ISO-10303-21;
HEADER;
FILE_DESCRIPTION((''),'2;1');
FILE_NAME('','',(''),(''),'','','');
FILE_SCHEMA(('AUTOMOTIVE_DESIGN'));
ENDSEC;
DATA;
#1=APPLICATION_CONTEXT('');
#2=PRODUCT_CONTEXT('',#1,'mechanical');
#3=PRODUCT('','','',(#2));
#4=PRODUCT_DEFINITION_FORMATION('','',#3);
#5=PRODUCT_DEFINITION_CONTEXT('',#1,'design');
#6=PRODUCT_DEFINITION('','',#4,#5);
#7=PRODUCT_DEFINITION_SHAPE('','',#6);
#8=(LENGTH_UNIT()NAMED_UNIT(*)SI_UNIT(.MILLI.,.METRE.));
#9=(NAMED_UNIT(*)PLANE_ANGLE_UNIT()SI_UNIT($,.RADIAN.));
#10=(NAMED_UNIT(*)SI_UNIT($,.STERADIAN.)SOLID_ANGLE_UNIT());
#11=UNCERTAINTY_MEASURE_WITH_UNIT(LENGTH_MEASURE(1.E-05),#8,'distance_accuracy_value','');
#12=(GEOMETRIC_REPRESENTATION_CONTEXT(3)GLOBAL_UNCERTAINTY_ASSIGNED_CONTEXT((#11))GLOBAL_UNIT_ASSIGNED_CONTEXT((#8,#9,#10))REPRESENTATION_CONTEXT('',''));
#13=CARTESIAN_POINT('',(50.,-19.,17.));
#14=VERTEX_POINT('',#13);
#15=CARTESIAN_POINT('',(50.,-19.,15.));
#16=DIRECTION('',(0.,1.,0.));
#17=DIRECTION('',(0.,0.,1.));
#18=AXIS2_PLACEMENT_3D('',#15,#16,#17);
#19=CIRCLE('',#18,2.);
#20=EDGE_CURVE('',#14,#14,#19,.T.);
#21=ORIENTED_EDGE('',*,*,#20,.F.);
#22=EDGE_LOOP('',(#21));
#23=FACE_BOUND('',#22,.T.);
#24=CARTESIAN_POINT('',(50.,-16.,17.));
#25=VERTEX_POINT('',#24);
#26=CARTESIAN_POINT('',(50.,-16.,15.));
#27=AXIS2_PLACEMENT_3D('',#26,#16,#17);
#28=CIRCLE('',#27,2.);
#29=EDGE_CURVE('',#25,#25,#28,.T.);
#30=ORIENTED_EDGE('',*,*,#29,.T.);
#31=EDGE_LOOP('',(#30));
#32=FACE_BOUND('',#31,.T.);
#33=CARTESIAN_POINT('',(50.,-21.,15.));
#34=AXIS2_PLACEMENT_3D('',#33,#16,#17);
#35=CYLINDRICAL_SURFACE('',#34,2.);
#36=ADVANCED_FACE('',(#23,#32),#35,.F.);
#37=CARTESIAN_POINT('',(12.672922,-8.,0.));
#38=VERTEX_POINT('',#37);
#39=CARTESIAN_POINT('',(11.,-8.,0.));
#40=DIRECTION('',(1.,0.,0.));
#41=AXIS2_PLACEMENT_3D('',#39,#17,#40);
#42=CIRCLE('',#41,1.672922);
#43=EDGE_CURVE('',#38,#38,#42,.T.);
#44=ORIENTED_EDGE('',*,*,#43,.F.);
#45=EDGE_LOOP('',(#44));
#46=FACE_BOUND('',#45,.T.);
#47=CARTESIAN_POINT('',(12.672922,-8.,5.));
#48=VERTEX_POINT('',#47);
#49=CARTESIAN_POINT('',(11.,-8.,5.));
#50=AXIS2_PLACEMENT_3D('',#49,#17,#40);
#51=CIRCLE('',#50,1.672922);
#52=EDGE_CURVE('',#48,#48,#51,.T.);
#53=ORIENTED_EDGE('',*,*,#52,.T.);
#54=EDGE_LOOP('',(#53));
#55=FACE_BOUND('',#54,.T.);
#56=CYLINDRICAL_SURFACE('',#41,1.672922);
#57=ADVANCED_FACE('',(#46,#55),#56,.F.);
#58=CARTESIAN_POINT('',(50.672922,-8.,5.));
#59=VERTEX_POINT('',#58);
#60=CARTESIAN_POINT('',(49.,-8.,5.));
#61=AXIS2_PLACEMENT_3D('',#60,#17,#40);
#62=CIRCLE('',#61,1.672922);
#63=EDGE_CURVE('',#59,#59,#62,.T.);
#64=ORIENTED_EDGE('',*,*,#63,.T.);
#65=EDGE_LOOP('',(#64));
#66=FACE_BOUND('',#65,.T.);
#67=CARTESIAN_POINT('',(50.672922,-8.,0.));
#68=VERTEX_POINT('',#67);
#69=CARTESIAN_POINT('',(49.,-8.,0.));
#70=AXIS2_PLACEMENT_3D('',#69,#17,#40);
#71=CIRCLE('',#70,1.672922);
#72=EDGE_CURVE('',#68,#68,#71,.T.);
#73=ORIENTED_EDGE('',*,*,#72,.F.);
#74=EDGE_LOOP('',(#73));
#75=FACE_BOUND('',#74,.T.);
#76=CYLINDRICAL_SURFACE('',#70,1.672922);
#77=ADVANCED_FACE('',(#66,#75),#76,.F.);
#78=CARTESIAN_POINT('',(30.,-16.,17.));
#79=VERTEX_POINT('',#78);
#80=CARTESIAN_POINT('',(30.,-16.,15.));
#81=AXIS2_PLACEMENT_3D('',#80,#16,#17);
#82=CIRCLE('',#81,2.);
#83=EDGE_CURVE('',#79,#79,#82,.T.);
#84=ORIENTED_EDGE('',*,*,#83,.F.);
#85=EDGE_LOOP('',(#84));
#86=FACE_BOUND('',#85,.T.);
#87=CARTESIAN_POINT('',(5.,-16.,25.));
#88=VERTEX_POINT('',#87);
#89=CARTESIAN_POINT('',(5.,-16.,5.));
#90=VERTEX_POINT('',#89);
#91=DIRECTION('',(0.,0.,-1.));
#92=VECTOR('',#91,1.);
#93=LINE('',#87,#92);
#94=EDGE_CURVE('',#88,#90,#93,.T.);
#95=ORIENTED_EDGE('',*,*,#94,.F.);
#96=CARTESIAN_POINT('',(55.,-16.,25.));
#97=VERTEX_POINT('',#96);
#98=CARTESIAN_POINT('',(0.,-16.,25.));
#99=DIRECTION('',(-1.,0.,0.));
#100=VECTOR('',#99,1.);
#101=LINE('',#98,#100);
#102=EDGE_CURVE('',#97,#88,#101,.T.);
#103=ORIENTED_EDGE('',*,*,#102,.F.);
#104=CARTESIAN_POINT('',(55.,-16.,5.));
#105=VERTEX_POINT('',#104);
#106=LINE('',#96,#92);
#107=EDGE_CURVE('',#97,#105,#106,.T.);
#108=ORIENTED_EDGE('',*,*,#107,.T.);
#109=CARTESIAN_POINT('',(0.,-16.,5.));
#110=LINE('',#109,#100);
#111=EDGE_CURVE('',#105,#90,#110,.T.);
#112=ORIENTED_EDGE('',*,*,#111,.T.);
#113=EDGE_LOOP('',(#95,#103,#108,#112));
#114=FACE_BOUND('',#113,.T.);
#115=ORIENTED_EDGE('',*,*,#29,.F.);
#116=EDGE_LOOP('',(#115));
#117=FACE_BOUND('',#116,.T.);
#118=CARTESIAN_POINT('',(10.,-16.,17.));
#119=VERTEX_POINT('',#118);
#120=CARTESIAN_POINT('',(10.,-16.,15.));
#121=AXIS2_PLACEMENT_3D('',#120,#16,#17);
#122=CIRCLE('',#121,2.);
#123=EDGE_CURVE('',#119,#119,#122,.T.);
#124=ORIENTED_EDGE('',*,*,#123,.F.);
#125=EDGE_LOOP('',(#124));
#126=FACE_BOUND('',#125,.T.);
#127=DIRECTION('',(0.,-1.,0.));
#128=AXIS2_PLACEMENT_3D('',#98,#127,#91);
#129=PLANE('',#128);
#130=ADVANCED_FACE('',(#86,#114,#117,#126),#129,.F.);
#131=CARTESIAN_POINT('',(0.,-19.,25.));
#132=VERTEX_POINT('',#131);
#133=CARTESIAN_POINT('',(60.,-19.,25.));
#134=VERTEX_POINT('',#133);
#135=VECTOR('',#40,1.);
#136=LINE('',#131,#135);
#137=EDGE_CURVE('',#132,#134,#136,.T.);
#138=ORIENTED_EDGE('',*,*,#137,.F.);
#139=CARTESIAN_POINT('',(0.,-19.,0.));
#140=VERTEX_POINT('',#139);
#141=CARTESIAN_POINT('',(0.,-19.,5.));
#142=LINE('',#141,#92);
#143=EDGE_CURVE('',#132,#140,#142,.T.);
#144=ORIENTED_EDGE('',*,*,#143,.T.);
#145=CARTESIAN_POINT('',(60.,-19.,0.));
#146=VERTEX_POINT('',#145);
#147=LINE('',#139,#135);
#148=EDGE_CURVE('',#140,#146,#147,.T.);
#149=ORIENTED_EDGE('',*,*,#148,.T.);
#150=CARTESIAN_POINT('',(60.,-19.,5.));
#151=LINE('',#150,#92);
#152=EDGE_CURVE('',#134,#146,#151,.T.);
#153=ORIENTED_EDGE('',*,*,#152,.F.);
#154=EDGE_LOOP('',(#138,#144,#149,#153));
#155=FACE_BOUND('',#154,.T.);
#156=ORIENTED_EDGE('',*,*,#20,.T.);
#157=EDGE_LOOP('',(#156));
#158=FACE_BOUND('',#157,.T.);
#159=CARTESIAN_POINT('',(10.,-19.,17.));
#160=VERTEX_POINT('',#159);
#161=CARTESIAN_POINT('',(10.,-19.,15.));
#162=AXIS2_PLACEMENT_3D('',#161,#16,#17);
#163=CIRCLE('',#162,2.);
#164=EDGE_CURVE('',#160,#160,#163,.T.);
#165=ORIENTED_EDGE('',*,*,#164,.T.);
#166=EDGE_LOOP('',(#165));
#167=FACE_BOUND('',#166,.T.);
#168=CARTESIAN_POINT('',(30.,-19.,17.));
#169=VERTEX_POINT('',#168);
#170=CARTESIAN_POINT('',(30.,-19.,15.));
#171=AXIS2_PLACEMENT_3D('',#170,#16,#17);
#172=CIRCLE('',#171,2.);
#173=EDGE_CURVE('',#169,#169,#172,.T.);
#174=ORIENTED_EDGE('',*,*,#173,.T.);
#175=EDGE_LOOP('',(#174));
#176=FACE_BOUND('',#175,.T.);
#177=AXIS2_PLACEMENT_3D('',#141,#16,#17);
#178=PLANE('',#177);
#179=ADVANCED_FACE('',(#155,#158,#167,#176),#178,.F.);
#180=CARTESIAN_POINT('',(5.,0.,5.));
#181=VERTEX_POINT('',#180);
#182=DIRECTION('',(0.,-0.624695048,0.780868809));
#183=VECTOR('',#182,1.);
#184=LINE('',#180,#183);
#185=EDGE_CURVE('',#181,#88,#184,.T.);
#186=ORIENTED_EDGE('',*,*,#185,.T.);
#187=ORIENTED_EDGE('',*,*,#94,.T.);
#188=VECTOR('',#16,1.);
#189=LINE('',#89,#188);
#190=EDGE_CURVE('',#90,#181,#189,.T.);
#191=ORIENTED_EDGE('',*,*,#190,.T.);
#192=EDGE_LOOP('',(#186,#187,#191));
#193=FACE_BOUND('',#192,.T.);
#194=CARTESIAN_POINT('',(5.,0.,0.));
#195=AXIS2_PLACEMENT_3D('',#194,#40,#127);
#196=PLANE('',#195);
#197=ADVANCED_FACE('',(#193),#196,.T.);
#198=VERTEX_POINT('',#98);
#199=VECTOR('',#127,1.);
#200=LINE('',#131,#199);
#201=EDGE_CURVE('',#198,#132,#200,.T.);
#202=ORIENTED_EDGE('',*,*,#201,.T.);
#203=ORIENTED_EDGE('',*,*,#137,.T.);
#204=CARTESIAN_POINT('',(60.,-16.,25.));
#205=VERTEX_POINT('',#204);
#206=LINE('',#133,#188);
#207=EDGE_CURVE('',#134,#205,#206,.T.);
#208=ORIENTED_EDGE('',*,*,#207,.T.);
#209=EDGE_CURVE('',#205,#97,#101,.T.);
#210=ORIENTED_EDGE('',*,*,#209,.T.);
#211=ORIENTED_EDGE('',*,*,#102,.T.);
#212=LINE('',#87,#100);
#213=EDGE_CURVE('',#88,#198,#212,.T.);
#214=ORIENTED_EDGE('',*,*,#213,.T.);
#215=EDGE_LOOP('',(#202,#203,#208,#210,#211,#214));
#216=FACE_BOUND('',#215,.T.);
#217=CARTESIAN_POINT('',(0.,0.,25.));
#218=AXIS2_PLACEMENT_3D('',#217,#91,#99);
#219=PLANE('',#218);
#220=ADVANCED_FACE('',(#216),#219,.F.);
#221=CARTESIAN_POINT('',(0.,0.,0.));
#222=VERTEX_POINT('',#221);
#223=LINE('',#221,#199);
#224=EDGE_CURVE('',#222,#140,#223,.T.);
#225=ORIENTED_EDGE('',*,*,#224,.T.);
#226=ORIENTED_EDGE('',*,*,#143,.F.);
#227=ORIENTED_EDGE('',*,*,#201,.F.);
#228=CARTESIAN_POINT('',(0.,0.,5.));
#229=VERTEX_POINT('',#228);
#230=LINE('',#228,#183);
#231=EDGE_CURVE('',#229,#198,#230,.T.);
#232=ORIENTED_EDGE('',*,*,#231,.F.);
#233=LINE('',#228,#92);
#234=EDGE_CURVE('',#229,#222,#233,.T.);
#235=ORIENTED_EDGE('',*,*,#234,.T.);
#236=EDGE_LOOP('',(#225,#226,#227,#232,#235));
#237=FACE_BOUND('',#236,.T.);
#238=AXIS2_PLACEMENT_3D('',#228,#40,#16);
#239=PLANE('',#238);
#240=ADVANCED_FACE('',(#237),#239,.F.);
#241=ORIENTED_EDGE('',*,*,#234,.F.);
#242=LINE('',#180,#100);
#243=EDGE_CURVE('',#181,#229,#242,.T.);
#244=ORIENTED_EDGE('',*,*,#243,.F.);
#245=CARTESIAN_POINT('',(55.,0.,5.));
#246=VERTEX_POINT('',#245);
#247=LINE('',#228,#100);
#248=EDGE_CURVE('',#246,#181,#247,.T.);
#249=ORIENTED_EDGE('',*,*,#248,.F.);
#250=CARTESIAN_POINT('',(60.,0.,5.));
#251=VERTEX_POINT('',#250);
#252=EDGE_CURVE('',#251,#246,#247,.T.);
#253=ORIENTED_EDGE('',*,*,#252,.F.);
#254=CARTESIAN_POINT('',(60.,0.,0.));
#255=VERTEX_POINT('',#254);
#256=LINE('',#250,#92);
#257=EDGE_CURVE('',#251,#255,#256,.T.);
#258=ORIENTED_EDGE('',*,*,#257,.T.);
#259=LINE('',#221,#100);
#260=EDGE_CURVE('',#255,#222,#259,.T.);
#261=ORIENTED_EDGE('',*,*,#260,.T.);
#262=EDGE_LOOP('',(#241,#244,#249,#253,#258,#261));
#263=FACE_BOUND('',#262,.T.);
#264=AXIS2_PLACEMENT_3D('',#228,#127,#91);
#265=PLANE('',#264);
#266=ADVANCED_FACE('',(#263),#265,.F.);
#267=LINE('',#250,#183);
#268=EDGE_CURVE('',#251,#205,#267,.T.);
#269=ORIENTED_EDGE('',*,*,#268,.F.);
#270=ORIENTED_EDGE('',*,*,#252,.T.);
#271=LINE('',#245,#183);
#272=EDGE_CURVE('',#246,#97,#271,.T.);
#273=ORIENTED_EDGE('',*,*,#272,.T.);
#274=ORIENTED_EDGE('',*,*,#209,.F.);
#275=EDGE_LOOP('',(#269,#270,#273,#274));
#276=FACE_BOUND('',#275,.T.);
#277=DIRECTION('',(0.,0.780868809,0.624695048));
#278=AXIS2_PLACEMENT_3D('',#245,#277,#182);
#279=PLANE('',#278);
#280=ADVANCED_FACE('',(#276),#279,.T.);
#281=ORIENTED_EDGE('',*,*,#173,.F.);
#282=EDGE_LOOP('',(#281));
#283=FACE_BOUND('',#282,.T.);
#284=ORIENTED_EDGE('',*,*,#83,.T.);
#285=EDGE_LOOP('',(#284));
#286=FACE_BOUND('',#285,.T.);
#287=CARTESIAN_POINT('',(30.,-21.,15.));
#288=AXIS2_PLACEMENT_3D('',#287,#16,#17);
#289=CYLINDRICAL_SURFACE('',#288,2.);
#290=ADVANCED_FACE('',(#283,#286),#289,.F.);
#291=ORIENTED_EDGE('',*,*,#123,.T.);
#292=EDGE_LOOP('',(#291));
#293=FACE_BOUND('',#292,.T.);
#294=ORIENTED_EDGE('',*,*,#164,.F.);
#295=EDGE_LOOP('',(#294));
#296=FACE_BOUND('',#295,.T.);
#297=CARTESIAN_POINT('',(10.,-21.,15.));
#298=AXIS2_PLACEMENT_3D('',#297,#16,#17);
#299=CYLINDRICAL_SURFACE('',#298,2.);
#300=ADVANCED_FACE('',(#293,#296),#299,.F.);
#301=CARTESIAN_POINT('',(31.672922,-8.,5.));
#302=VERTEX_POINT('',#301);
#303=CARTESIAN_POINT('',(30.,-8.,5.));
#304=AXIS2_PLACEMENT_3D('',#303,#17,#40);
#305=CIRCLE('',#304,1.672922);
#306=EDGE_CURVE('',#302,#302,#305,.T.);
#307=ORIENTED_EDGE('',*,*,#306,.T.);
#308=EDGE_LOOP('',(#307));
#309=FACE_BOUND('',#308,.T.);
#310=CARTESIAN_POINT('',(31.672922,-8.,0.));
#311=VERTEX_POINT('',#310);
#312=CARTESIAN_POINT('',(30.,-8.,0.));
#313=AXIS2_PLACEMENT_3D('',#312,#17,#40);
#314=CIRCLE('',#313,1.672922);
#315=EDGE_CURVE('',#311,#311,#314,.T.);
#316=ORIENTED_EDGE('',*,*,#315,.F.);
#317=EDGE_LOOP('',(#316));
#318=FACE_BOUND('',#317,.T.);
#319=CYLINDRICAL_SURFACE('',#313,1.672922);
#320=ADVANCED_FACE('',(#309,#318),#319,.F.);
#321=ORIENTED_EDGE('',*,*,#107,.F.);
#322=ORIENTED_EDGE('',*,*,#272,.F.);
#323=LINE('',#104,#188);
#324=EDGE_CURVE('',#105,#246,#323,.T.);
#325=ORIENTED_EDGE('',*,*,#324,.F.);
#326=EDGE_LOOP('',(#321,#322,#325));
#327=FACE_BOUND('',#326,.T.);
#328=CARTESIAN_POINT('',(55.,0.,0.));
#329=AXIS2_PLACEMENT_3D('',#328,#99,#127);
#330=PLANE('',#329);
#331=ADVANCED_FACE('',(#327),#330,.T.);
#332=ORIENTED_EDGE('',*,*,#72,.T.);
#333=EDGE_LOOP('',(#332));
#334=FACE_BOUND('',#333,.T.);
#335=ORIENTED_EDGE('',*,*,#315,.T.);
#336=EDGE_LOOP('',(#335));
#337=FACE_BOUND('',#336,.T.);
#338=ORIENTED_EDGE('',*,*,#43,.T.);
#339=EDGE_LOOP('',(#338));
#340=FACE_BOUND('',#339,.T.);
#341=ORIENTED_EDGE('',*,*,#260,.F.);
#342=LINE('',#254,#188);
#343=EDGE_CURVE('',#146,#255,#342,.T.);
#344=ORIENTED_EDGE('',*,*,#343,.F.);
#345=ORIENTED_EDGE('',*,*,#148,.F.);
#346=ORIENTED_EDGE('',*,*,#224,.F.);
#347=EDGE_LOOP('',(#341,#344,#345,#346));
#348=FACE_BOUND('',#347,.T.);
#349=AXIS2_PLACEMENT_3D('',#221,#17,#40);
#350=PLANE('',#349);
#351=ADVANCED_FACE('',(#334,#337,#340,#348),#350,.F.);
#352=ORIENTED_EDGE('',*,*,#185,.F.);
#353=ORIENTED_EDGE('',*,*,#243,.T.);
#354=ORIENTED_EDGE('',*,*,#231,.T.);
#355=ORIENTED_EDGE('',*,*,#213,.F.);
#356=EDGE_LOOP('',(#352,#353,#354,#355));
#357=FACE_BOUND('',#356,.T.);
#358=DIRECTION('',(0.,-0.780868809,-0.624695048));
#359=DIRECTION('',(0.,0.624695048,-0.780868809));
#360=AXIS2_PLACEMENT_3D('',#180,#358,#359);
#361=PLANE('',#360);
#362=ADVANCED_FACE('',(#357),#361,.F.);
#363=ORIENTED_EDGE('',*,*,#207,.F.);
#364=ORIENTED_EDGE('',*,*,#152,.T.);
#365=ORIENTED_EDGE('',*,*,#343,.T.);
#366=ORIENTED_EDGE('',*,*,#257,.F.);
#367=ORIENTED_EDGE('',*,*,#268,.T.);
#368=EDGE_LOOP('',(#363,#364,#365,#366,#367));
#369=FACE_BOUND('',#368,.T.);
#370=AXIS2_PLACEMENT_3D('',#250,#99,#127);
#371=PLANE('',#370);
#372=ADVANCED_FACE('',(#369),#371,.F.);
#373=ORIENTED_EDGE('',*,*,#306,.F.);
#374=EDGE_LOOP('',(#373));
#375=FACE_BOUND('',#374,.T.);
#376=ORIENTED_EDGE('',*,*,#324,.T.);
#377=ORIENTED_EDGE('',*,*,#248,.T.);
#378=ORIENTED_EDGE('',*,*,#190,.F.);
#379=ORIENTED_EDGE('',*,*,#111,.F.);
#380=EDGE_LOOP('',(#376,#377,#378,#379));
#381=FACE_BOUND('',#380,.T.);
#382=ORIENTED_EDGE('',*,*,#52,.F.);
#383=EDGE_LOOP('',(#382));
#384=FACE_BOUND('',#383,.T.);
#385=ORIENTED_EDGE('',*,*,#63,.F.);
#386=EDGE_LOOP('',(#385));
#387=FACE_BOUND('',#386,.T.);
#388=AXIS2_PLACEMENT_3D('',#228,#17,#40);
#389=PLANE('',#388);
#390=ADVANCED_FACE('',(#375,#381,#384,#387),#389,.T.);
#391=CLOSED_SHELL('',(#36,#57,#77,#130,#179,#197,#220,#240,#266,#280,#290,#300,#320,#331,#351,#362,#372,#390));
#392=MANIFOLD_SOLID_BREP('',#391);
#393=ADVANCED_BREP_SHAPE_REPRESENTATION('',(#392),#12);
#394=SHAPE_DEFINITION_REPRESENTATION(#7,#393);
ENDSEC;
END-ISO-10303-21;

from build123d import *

# Parameters (mm, degrees)
SKETCH1_W           = 60
SKETCH1_H           = 19
BOSS_EXTRUDE1_DEPTH = 5
SKETCH2_W           = 60
SKETCH2_H           = 3
BOSS_EXTRUDE2_DEPTH = 20
BOSS_EXTRUDE3_DEPTH = 5
SKETCH4_R           = 1.67292172
CUT_EXTRUDE1_DEPTH  = 5
SKETCH5_R           = 2
CUT_EXTRUDE2_DEPTH  = 5


with BuildPart() as part:
    # Sketch1 → Boss-Extrude1 (new body)
    with BuildSketch(Plane.XY):
        with Locations((30, -9.5)):
            Rectangle(SKETCH1_W, SKETCH1_H)
    extrude(amount=BOSS_EXTRUDE1_DEPTH)

    # Sketch2 → Boss-Extrude2 (add)
    with BuildSketch(Plane.XY.offset(5)):
        with Locations((30, -17.5)):
            Rectangle(SKETCH2_W, SKETCH2_H)
    extrude(amount=BOSS_EXTRUDE2_DEPTH)

    # Sketch3 → Boss-Extrude3 (add)
    with BuildSketch(Plane(origin=(60, 0, 0), x_dir=(0, 0, -1), z_dir=(1, 0, 0))):
        Polygon((-5, 0), (-25, -16), (-5, -16), align=None)
    boss_extrude3 = extrude(amount=-BOSS_EXTRUDE3_DEPTH)

    # Mirror1: Boss-Extrude3 across plane
    add(boss_extrude3.mirror(Plane(origin=(30, 0, 0), x_dir=(0, 0, 1), z_dir=(1, 0, 0))))

    # Sketch4 → Cut-Extrude1 (cut)
    with BuildSketch(Plane.XY.offset(5)):
        with Locations((11, -8)):
            Circle(SKETCH4_R)
        with Locations((30, -8)):
            Circle(SKETCH4_R)
        with Locations((49, -8)):
            Circle(SKETCH4_R)
    extrude(amount=-CUT_EXTRUDE1_DEPTH, mode=Mode.SUBTRACT)

    # Sketch5 → Cut-Extrude2 (cut)
    with BuildSketch(Plane(origin=(0, -16, 0), x_dir=(1, 0, 0), z_dir=(0, 1, 0))):
        with Locations(Location((10, -15, 0), (0, 0, 270))):
            Circle(SKETCH5_R)
        with Locations(Location((30, -15, 0), (0, 0, 270))):
            Circle(SKETCH5_R)
        with Locations(Location((50, -15, 0), (0, 0, 270))):
            Circle(SKETCH5_R)
    extrude(amount=-CUT_EXTRUDE2_DEPTH, mode=Mode.SUBTRACT)


solid = part.part
